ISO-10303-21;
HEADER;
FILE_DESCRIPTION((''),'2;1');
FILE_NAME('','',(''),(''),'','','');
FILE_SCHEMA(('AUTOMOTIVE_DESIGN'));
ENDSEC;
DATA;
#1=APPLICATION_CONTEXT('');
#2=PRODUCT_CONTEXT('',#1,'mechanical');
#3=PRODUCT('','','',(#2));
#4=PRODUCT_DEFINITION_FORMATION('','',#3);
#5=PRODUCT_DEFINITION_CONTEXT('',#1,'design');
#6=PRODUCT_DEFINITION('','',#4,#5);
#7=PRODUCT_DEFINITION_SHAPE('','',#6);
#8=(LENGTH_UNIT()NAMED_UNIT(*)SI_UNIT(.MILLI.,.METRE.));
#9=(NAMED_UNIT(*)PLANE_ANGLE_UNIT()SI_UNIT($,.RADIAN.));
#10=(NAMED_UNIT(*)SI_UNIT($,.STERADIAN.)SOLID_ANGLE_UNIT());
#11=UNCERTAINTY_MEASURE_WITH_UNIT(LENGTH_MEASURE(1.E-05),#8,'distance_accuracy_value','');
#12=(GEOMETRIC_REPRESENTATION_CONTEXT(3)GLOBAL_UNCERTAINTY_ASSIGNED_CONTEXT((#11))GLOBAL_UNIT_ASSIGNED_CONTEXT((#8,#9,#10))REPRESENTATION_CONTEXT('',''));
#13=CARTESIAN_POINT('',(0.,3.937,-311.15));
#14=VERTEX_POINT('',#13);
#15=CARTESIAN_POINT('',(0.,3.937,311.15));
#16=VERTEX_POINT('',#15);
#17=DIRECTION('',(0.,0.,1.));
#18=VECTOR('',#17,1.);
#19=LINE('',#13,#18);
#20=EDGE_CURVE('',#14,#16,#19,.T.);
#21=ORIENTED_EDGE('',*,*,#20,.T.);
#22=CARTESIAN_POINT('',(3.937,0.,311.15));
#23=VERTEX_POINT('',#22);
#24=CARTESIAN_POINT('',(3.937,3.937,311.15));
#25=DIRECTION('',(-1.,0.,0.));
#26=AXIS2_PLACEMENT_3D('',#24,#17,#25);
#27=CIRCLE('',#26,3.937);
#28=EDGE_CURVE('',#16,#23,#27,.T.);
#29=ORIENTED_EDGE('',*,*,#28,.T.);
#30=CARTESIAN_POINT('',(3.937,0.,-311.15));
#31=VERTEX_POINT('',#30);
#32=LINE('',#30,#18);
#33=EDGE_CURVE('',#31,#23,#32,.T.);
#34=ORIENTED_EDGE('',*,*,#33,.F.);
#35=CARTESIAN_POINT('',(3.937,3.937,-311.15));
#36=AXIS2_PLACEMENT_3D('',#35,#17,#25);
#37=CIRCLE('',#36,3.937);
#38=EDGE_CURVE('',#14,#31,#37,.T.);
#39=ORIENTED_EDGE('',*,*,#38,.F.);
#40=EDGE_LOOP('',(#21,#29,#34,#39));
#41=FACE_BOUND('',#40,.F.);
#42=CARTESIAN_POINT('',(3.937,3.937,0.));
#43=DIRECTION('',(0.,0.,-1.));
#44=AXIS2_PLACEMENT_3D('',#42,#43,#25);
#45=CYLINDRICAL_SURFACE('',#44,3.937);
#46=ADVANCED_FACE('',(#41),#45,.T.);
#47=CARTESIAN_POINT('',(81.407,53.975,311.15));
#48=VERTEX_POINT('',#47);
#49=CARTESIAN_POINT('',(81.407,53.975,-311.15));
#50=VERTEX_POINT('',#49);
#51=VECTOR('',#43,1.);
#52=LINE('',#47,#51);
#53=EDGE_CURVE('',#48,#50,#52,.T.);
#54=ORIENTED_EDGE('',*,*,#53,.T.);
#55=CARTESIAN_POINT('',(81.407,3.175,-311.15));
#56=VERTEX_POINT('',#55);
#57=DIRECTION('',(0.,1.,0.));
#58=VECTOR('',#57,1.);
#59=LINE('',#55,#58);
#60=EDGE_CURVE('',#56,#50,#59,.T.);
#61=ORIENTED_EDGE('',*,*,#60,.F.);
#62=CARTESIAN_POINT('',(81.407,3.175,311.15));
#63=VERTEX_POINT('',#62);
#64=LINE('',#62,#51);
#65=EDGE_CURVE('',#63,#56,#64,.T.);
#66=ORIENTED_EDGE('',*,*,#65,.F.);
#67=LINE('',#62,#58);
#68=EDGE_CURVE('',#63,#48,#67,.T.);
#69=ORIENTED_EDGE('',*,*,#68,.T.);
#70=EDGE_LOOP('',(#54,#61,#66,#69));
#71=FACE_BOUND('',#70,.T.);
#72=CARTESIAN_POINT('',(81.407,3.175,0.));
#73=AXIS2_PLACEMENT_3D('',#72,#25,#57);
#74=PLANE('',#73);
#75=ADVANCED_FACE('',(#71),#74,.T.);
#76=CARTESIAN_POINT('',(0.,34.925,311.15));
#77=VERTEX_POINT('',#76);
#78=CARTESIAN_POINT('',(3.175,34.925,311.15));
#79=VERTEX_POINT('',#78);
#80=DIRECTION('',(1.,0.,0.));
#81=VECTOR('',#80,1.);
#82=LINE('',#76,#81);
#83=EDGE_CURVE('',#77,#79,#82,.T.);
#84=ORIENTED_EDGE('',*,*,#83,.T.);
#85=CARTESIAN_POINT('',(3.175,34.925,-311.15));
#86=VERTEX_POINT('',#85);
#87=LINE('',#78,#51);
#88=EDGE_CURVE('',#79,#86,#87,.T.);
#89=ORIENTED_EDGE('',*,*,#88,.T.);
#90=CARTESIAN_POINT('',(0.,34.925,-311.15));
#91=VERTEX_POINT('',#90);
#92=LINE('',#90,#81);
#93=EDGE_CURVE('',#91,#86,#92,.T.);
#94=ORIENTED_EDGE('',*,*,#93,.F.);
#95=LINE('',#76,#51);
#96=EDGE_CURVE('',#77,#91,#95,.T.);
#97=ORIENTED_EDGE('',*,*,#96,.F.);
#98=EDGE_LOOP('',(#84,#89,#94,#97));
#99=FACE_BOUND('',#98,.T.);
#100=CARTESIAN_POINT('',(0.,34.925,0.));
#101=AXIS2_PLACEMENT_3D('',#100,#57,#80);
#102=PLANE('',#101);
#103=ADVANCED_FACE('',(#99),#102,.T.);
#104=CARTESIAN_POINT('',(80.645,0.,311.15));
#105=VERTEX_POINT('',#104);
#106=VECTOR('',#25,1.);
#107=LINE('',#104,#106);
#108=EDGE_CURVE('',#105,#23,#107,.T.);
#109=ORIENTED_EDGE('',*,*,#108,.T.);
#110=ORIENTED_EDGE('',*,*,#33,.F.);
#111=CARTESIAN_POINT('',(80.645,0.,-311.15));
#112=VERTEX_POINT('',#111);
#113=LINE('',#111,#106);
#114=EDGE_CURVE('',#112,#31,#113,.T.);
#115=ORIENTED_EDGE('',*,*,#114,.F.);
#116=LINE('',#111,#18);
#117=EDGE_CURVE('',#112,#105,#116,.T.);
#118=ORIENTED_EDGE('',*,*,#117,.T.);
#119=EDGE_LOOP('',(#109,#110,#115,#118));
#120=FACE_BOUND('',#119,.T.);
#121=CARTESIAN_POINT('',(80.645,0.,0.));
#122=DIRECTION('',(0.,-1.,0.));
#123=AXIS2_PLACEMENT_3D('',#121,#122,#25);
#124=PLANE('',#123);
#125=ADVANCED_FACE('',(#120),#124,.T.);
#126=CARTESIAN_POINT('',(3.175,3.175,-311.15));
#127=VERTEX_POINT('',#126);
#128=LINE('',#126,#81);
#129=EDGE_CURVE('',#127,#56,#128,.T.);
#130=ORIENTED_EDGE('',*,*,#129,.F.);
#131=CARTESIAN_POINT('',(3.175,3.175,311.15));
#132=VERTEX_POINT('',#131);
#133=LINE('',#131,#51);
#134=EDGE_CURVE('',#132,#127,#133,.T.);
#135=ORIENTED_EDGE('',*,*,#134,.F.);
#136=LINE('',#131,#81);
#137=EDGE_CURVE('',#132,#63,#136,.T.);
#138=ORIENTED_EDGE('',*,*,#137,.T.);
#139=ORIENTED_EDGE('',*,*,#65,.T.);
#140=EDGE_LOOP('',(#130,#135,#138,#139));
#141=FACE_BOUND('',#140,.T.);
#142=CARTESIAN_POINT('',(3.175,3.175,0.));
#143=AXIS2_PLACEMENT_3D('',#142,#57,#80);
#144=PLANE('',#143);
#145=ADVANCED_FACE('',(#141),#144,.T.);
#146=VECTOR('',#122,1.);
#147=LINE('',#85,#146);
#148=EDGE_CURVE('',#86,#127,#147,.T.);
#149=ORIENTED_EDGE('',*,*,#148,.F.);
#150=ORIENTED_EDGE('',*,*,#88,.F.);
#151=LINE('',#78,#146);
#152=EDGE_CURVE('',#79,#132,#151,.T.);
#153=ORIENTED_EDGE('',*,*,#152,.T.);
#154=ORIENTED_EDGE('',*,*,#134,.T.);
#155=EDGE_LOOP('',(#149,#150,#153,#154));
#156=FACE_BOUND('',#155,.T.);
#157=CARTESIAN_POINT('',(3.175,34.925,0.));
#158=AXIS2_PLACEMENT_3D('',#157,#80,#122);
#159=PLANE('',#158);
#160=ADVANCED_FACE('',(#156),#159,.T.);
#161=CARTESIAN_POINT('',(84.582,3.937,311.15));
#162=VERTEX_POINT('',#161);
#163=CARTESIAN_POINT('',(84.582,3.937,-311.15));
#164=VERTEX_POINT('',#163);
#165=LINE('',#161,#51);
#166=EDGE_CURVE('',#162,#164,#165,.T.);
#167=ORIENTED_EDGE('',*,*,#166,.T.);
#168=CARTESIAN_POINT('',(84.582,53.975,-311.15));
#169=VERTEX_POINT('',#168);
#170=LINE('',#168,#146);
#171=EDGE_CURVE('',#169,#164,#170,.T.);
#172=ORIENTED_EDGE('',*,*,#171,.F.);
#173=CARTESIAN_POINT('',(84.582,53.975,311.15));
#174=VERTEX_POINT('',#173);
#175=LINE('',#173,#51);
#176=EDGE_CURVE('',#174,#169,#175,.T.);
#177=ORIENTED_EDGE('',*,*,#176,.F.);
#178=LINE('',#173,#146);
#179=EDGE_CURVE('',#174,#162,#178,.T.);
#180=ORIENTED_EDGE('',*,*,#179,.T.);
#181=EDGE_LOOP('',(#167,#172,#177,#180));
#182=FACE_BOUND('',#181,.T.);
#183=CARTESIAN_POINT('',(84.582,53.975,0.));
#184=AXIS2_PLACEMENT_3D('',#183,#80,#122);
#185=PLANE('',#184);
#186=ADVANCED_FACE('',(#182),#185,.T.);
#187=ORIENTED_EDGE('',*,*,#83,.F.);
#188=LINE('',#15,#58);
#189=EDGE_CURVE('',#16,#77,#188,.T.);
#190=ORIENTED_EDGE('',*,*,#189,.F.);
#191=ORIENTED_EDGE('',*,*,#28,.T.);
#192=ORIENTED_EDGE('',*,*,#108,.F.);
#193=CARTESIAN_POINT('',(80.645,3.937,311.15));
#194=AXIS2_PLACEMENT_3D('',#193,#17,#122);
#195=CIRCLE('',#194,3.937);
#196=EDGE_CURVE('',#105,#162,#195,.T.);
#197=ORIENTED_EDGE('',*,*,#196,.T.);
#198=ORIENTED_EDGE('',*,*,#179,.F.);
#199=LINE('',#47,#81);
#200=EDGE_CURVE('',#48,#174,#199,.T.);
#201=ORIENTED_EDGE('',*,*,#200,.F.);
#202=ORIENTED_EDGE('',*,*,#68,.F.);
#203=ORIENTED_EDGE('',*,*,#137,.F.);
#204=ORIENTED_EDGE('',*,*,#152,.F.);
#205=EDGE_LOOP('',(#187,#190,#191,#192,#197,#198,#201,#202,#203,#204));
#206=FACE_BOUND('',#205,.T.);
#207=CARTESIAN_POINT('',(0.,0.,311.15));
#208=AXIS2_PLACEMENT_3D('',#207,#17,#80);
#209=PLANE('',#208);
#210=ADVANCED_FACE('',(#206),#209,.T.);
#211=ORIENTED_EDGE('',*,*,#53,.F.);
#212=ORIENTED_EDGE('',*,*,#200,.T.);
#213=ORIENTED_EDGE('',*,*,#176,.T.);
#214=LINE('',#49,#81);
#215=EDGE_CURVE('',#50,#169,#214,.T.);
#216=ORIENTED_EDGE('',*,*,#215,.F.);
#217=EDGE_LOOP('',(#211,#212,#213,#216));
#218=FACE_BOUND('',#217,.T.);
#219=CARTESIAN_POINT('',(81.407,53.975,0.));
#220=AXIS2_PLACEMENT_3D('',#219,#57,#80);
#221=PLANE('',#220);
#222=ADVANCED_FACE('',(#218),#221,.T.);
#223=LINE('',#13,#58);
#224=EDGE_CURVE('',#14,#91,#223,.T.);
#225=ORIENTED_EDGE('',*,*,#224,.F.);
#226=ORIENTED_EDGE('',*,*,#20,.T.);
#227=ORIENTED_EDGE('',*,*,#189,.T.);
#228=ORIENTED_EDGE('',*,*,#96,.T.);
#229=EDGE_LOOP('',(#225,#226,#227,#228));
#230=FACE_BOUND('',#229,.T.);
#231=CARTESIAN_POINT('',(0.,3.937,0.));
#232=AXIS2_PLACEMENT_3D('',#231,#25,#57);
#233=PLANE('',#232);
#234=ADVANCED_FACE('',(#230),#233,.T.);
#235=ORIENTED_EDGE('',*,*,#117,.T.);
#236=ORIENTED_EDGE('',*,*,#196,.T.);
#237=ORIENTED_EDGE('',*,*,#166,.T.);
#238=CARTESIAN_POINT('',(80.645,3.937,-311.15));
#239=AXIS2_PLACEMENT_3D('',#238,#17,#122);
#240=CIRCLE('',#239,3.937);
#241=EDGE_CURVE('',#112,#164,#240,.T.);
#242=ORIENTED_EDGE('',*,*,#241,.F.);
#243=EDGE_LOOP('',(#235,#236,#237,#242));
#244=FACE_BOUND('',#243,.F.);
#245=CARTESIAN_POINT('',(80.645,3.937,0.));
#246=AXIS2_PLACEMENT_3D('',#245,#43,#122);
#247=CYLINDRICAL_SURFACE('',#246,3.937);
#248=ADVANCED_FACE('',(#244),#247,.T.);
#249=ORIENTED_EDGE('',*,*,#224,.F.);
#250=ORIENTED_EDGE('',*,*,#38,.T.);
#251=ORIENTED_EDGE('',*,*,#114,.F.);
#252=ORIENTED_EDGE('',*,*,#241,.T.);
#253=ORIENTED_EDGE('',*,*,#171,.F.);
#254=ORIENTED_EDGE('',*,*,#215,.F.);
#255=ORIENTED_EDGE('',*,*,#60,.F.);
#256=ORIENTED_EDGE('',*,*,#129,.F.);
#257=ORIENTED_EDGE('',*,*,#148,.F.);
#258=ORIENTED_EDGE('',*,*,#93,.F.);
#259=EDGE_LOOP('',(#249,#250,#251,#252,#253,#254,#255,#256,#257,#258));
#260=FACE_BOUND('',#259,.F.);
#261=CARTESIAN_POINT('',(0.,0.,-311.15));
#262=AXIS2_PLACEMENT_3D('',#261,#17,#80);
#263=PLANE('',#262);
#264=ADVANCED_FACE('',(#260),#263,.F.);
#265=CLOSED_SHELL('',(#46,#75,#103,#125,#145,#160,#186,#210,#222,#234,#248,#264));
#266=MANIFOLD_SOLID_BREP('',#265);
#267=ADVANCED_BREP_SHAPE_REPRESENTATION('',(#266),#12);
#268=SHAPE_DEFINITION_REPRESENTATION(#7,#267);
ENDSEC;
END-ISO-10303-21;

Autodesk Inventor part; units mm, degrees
ref_plane "YZ Plane" through (0, 0, 0) normal (1, 0, 0) x (0, 1, 0)
ref_plane "XZ Plane" through (0, 0, 0) normal (0, 1, 0) x (-1, 0, 0)
sketch "Sketch1" plane through (0, 0, 0) normal (0, 0, 1) x (1, 0, 0)
  line L0 (0, 3.937) -> (0, 34.925)
  line L1 (0, 34.925) -> (3.175, 34.925)
  line L2 (3.175, 34.925) -> (3.175, 3.175)
  line L3 (3.175, 3.175) -> (81.407, 3.175)
  line L4 (81.407, 3.175) -> (81.407, 53.975)
  line L5 (81.407, 53.975) -> (84.582, 53.975)
  line L6 (84.582, 53.975) -> (84.582, 3.937)
  line L7 (80.645, 0) -> (3.937, 0)
  arc A0 (80.645, 0) -> (84.582, 3.937) centre (80.645, 3.937) ccw
  arc A1 (0, 3.937) -> (3.937, 0) centre (3.937, 3.937) ccw
  point P0 (0, 0)
  dimension "d0" = 34.925
  dimension "d1" = 3.175
  dimension "d2" = 31.75
  dimension "d3" = 78.232
  dimension "d4" = 50.8
  dimension "d5" = 3.175
  dimension "d6" = 3.937
  dimension "d7" = 3.937
extrude "Extrusion1" add sketch "Sketch1" along normal mid plane 622.3
properties part number "2020 End Plate"
